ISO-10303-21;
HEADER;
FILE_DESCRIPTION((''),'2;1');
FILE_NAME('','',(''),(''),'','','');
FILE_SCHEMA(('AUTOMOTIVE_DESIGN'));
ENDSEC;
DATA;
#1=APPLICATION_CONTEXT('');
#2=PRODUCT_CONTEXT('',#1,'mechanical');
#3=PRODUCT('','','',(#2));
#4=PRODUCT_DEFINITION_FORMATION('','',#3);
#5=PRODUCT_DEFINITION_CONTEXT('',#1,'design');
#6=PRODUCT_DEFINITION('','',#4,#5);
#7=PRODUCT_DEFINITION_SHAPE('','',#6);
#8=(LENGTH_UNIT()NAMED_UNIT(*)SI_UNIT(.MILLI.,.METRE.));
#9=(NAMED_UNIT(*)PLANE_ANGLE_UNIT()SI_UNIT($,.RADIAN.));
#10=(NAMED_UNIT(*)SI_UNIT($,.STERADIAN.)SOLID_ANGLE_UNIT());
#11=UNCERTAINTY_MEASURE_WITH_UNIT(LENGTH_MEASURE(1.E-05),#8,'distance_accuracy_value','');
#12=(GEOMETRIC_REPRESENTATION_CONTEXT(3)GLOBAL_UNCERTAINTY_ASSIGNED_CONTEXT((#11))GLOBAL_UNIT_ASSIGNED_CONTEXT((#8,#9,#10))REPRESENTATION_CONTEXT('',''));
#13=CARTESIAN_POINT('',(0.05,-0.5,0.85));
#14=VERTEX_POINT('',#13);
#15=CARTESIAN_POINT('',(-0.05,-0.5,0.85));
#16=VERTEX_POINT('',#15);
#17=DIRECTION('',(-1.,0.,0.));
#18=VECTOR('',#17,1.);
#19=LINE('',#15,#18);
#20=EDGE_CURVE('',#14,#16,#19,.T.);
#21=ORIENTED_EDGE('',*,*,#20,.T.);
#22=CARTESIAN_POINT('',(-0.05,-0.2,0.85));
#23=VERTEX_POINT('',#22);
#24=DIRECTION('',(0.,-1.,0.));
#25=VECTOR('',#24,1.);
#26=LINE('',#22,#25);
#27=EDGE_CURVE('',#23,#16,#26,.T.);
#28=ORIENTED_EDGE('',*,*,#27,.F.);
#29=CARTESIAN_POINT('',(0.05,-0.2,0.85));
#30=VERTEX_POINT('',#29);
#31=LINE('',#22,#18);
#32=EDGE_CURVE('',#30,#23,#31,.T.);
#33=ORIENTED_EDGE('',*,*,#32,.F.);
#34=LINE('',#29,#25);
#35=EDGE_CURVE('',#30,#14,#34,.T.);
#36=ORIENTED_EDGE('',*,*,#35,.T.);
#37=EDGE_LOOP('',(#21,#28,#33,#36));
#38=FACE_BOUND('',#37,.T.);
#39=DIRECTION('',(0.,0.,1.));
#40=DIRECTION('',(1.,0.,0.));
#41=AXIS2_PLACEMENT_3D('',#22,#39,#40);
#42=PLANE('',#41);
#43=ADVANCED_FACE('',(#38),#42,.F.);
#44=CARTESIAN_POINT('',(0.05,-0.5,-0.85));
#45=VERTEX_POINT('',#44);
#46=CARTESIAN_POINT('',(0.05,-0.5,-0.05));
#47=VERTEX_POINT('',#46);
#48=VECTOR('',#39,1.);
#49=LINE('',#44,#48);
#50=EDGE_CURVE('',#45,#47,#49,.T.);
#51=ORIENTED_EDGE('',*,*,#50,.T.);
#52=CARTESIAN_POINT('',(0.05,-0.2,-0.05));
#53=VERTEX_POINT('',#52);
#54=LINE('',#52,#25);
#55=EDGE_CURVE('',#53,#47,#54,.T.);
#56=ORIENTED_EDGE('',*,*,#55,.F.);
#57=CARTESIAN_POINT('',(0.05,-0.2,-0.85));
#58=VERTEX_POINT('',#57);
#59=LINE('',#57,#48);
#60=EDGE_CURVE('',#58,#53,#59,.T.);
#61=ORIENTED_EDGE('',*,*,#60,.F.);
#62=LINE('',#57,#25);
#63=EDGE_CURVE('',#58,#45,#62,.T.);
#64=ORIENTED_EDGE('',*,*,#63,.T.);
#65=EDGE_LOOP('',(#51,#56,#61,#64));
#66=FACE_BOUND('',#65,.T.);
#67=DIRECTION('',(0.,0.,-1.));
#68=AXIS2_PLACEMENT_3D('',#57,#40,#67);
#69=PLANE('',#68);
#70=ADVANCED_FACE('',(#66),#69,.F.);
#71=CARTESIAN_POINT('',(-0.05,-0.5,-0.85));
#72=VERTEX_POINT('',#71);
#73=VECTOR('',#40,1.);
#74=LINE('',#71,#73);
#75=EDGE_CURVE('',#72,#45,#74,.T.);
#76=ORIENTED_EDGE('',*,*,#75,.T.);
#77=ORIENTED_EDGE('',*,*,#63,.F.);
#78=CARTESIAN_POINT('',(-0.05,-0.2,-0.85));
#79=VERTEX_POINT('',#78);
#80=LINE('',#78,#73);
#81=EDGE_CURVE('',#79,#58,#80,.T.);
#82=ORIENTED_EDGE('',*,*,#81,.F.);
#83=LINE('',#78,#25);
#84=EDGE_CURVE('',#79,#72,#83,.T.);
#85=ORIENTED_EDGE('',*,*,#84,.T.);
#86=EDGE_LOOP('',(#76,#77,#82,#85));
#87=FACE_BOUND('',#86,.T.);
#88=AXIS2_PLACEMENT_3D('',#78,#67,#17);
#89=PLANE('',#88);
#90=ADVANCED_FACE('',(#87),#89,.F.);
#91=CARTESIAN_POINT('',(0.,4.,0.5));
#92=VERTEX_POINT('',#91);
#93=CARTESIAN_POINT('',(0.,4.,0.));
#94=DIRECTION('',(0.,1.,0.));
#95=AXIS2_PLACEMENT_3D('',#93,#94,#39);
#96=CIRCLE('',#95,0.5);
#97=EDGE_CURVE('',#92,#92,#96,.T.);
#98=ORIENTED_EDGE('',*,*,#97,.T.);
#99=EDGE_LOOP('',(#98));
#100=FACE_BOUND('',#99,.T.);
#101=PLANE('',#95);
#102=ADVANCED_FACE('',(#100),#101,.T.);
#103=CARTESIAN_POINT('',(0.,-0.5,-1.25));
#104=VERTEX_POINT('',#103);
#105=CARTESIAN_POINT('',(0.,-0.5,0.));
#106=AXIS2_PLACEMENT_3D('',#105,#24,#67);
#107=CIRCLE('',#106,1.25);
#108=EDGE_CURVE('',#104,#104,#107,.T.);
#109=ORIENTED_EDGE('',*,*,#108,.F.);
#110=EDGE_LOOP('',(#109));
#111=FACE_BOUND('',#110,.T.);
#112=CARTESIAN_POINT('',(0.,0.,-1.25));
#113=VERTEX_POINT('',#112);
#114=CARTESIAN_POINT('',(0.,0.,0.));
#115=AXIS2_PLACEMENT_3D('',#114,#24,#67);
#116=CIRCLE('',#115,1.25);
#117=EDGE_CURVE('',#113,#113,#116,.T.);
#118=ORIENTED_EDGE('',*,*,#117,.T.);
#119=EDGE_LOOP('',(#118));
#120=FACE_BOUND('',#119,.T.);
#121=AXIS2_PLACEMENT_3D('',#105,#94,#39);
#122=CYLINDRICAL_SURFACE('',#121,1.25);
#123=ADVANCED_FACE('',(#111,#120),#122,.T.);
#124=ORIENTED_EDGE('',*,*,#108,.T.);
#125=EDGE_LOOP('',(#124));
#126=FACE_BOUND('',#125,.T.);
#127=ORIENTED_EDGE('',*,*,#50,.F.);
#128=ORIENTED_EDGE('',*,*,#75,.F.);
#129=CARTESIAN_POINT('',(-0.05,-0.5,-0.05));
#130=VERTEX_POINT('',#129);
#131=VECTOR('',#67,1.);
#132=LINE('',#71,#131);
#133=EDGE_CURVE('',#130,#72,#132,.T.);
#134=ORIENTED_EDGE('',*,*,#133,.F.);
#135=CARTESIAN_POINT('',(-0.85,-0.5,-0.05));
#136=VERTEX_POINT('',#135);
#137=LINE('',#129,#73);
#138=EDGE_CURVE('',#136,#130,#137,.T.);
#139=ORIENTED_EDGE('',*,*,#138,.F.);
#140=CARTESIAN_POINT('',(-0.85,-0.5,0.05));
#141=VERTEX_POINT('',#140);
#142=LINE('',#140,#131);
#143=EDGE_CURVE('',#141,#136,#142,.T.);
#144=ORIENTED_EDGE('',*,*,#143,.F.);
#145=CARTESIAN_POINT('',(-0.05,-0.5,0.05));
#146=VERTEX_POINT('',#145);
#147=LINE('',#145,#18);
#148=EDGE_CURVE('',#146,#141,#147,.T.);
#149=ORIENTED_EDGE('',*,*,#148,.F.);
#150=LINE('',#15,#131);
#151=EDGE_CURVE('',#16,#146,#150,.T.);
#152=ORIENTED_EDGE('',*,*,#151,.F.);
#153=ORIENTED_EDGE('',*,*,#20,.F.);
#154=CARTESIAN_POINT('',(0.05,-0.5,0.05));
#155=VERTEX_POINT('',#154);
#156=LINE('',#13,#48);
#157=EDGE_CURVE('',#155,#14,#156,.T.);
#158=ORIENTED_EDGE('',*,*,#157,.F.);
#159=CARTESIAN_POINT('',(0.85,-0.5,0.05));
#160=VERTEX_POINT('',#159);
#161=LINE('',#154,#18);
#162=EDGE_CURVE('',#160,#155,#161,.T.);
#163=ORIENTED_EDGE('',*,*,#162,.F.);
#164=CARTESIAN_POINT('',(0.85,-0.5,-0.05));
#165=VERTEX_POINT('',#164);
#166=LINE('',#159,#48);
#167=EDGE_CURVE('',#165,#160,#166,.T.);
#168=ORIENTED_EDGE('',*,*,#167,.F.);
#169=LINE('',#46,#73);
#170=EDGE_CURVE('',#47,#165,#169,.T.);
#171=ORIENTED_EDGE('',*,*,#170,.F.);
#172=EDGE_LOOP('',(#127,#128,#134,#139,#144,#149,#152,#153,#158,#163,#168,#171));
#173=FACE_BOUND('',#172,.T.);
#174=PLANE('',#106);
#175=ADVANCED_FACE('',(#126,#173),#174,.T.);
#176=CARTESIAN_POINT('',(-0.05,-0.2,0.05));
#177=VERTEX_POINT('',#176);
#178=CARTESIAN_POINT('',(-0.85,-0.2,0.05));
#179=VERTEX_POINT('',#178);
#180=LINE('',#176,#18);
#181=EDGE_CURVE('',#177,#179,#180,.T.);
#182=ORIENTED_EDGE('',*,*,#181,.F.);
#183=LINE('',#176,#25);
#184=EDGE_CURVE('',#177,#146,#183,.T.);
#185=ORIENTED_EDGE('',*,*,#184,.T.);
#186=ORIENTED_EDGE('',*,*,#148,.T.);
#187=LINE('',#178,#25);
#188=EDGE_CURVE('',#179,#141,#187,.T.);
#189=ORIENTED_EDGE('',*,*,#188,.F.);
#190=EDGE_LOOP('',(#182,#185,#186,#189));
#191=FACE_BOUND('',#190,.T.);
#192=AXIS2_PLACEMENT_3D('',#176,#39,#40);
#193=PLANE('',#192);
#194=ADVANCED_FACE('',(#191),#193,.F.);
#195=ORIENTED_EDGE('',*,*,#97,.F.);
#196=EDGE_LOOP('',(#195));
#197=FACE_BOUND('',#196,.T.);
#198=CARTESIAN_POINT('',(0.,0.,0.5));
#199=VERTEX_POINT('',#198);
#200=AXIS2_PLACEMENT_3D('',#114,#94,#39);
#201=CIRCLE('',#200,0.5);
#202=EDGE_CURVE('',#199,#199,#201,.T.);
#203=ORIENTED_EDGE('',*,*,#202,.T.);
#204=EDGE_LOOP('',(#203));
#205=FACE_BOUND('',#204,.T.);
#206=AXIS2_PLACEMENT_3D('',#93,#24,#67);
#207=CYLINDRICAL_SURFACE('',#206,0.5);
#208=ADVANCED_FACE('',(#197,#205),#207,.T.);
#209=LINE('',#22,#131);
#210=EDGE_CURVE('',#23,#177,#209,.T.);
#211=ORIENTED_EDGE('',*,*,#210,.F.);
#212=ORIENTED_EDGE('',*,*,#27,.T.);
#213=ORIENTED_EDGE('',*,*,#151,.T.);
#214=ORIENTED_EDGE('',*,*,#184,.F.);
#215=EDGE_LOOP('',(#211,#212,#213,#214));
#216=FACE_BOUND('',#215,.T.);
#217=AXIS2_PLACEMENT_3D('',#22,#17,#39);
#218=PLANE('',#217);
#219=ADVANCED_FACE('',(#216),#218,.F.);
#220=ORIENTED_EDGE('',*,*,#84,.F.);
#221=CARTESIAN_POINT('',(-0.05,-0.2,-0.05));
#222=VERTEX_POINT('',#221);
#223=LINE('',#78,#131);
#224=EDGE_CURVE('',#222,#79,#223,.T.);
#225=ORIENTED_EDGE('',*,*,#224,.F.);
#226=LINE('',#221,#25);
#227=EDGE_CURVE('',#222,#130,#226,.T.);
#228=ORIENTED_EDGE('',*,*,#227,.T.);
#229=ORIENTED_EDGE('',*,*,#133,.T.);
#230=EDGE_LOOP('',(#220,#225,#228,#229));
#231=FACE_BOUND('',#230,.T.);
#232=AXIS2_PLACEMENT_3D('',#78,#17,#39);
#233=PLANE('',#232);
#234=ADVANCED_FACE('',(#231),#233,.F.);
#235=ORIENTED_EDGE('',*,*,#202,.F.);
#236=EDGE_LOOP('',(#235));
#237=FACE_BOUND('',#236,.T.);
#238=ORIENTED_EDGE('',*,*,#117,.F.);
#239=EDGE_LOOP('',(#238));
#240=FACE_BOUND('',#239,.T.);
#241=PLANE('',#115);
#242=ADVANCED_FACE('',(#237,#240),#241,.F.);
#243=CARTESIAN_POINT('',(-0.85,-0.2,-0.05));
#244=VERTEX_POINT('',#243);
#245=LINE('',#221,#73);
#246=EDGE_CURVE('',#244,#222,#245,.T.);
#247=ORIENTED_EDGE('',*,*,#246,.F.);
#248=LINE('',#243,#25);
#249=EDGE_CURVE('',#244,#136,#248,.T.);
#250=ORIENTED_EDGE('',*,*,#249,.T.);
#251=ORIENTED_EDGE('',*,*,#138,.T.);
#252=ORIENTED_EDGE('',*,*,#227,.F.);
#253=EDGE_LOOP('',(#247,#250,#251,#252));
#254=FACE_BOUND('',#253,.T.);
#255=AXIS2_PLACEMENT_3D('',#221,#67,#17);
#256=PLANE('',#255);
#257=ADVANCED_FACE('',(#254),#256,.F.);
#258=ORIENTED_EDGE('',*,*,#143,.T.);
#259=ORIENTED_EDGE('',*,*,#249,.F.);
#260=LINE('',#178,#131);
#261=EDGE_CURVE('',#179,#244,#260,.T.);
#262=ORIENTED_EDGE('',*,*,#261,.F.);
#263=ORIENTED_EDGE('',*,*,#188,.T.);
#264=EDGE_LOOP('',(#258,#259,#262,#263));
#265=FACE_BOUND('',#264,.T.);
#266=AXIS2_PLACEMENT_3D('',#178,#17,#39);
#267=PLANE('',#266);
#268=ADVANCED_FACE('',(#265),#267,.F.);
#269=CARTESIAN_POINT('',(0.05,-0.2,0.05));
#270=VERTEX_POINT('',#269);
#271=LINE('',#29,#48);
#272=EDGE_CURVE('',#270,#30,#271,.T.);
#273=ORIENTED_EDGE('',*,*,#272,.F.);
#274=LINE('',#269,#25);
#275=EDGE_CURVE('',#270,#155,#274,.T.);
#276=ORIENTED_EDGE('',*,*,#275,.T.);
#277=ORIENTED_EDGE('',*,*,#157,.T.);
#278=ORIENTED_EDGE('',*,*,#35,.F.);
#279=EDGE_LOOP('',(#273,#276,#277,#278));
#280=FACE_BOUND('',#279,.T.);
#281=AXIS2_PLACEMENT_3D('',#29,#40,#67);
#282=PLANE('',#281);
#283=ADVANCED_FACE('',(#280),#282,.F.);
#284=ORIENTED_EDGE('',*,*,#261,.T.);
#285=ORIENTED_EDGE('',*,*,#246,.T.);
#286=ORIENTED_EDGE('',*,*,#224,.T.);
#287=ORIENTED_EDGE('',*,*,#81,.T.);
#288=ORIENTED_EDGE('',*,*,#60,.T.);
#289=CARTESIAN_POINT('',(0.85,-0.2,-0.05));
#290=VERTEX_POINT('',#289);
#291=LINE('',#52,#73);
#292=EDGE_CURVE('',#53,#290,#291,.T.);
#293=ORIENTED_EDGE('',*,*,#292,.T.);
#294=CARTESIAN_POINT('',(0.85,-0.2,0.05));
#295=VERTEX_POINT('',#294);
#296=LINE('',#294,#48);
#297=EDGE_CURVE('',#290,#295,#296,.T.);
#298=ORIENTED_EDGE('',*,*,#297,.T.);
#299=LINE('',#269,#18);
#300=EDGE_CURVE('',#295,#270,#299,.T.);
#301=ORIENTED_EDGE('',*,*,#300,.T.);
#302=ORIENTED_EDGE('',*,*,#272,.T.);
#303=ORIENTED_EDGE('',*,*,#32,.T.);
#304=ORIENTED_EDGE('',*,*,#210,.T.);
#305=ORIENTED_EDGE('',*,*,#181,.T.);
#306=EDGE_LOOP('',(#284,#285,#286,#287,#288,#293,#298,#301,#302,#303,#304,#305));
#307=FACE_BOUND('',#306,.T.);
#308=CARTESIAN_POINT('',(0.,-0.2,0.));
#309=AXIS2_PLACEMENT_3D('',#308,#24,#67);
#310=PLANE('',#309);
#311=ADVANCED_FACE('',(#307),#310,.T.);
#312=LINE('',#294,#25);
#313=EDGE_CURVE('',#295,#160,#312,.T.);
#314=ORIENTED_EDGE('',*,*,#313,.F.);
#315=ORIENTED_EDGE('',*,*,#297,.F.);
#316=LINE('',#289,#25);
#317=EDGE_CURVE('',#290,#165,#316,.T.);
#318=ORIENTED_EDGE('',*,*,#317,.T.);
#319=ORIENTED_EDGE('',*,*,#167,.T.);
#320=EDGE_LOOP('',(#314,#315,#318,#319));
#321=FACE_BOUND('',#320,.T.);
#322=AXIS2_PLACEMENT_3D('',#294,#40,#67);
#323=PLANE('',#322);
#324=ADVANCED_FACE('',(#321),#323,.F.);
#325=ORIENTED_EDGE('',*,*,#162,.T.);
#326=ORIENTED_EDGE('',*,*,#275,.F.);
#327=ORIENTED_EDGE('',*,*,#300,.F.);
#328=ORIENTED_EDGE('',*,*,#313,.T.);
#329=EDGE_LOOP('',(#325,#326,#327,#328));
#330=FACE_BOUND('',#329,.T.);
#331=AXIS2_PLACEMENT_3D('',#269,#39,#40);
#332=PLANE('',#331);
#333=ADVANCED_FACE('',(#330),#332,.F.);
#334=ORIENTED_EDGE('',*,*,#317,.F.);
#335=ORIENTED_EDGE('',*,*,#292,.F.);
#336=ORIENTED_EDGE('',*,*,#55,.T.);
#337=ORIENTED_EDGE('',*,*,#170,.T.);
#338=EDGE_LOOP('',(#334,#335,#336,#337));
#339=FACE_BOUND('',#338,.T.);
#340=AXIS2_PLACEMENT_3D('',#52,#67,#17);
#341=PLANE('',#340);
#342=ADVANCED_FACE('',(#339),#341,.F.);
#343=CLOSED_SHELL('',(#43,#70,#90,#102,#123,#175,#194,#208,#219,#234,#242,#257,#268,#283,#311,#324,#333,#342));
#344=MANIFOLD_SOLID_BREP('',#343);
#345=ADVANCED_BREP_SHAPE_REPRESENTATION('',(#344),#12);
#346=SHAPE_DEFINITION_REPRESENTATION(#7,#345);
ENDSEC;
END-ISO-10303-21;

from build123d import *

# Parameters (mm, degrees)
SKETCH1_R           = 0.5
BOSS_EXTRUDE1_DEPTH = 4
SKETCH2_R           = 1.25
BOSS_EXTRUDE2_DEPTH = 0.5
CUT_EXTRUDE1_DEPTH  = 0.3


with BuildPart() as part:
    # Sketch1 → Boss-Extrude1 (new body)
    with BuildSketch(Plane(origin=(0, 0, 0), x_dir=(1, 0, 0), z_dir=(0, 1, 0))):
        with Locations(Location((0, 0, 0), (0, 0, 270))):
            Circle(SKETCH1_R)
    extrude(amount=BOSS_EXTRUDE1_DEPTH)

    # Sketch2 → Boss-Extrude2 (add)
    with BuildSketch(Plane.XZ):
        with Locations(Location((0, 0, 0), (0, 0, 270))):
            Circle(SKETCH2_R)
    extrude(amount=BOSS_EXTRUDE2_DEPTH)

    # Sketch3 → Cut-Extrude1 (cut)
    with BuildSketch(Plane.XZ.offset(0.5)):
        Polygon((-0.05, 0.85), (0.05, 0.85), (0.05, 0.05), (0.85, 0.05), (0.85, -0.05), (0.05, -0.05), (0.05, -0.85), (-0.05, -0.85), (-0.05, -0.05), (-0.85, -0.05), (-0.85, 0.05), (-0.05, 0.05), align=None)
    extrude(amount=-CUT_EXTRUDE1_DEPTH, mode=Mode.SUBTRACT)


solid = part.part
